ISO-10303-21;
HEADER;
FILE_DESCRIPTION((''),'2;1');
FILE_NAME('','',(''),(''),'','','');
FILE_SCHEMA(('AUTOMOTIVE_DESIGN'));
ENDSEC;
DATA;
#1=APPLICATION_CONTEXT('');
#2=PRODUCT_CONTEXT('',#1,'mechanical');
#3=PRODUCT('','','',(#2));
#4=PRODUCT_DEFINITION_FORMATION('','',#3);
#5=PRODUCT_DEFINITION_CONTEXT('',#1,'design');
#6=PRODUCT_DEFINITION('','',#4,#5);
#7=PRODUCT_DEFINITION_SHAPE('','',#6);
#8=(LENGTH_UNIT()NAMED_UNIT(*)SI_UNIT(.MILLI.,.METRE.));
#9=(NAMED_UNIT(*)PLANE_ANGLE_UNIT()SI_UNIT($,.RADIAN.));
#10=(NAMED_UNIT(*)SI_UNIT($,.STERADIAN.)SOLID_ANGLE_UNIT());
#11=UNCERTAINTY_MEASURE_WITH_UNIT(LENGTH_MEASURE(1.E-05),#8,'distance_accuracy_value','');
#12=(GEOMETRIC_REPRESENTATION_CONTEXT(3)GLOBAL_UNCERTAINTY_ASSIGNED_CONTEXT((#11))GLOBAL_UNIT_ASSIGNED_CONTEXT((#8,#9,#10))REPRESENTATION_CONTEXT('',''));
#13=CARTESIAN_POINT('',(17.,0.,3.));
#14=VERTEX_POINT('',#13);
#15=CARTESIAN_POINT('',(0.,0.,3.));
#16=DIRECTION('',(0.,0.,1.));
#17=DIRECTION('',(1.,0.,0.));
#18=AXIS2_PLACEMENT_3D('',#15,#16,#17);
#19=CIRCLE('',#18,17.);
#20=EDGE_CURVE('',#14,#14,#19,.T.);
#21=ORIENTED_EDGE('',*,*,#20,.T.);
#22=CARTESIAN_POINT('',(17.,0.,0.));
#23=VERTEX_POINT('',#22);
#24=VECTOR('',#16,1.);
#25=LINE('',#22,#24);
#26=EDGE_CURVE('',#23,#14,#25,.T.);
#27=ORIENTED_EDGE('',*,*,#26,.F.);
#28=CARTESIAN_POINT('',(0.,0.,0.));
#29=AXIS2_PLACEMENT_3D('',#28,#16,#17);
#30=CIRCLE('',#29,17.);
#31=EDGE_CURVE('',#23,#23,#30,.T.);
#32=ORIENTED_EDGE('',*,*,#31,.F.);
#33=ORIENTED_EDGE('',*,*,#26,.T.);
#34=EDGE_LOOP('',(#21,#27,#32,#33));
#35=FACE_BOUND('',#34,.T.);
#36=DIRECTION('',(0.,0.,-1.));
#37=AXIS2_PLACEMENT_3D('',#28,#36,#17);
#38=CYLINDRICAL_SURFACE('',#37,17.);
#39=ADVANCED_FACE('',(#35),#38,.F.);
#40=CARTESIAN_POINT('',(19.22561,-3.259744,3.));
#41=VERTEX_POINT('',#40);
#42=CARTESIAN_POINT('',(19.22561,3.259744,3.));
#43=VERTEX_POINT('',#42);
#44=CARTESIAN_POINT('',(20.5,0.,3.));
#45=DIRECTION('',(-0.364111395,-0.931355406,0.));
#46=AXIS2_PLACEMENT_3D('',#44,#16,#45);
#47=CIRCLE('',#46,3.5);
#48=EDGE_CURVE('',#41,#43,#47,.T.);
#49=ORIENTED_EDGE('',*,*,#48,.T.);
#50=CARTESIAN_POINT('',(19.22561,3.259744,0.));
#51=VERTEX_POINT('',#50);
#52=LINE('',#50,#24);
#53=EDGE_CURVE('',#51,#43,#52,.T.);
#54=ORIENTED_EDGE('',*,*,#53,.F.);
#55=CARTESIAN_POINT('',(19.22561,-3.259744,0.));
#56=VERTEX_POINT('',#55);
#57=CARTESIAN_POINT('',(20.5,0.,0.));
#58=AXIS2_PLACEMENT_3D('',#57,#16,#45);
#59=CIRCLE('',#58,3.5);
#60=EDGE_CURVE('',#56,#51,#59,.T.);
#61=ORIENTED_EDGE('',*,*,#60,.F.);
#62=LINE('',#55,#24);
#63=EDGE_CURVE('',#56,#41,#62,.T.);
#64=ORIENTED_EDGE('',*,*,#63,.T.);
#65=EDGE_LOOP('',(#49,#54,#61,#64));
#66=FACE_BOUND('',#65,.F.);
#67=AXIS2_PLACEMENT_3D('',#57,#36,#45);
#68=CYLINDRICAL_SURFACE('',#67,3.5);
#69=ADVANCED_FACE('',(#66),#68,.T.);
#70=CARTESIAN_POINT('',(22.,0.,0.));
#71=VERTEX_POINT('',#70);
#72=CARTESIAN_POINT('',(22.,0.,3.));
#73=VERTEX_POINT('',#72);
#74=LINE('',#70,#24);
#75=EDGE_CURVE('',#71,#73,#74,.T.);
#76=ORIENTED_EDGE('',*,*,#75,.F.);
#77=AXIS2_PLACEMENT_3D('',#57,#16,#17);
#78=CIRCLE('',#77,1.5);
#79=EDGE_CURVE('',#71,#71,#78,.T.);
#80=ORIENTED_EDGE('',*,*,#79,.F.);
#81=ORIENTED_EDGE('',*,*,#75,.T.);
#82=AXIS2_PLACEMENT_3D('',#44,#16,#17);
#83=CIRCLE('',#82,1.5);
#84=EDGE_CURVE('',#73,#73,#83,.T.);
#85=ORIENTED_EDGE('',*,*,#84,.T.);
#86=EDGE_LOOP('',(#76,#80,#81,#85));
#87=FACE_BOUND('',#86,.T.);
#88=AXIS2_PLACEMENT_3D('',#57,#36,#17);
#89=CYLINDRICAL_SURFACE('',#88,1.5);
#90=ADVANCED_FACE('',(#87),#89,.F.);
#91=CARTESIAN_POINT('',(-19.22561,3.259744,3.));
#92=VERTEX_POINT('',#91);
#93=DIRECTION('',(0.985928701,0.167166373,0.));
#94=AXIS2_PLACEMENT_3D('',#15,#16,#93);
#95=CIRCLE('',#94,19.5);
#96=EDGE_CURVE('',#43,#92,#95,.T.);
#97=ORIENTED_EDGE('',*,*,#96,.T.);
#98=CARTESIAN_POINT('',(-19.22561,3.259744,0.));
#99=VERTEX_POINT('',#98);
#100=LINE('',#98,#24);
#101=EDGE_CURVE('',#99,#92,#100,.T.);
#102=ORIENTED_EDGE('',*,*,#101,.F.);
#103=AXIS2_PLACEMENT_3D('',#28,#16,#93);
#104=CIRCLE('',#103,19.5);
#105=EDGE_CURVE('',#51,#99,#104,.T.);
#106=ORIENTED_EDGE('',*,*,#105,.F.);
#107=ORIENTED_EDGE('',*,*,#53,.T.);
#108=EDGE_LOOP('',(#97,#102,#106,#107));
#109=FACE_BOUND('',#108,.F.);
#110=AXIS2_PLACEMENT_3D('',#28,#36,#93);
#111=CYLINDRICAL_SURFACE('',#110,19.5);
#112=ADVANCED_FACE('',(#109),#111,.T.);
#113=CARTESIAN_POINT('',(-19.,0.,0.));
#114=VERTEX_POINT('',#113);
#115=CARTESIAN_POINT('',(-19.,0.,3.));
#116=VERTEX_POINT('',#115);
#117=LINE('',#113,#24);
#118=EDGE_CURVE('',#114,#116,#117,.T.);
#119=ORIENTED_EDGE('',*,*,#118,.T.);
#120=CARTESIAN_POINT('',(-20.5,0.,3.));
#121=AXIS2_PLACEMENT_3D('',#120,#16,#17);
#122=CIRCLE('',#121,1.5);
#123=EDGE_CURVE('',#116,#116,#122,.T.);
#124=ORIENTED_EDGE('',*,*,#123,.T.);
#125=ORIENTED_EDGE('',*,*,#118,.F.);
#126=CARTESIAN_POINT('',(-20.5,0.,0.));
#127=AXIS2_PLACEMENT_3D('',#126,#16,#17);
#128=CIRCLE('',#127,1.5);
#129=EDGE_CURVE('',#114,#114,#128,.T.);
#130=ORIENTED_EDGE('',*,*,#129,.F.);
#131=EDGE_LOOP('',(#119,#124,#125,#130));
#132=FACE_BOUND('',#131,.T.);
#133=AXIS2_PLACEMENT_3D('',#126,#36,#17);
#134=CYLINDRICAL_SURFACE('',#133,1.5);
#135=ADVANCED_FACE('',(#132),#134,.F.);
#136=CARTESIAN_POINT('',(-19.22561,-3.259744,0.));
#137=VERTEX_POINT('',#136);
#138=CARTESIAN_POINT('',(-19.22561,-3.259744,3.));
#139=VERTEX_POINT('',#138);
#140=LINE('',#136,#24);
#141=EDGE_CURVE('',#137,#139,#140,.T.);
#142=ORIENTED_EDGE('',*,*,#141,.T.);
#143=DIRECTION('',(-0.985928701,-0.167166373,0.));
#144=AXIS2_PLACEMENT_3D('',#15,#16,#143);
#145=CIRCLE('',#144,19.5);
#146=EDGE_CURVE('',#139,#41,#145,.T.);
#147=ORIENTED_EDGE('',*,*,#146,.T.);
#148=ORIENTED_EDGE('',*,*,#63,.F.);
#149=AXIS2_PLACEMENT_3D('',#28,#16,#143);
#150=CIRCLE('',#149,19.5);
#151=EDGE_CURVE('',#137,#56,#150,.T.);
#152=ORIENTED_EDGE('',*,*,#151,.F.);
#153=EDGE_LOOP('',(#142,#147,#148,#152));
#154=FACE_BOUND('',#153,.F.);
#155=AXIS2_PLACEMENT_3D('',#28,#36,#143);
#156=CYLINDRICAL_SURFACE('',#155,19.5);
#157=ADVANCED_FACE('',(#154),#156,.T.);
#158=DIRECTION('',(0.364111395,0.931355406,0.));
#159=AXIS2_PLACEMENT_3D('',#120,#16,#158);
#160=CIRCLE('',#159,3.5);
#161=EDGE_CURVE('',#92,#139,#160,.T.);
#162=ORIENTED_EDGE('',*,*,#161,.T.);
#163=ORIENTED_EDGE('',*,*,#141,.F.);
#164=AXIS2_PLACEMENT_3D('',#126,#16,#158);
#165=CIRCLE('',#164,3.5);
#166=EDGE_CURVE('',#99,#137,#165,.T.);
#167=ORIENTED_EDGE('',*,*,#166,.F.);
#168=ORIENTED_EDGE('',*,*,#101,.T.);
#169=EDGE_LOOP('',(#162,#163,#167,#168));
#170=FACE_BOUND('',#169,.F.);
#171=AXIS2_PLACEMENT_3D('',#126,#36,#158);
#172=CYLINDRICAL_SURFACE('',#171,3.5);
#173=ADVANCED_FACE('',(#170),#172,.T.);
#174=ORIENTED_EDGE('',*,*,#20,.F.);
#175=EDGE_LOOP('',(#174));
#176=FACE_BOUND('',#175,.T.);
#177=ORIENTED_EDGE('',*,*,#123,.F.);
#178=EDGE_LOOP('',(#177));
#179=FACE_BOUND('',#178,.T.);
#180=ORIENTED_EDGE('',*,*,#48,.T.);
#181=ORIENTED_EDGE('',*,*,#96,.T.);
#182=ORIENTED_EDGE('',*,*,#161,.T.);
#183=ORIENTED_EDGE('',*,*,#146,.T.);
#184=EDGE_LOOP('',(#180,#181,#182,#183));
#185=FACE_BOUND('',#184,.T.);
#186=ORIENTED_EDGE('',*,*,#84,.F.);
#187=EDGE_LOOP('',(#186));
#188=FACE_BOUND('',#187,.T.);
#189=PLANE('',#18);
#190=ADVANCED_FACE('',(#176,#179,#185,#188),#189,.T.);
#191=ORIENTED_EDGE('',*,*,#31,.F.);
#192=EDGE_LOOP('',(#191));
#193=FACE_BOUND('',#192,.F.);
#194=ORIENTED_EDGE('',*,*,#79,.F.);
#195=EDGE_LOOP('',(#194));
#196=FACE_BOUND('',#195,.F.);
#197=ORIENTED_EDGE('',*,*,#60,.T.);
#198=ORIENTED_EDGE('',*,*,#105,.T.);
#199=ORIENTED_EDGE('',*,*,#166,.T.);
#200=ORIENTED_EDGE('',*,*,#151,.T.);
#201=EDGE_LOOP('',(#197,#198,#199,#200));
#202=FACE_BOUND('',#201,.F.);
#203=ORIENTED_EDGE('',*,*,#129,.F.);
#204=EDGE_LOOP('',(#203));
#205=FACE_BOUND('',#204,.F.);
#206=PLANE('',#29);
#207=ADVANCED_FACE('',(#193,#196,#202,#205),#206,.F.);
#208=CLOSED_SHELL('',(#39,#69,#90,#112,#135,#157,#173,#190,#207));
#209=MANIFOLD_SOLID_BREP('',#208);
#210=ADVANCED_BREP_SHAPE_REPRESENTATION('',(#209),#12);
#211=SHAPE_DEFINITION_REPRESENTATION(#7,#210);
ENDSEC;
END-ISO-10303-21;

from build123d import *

# Parameters (mm, degrees)
SKETCH_R   = 17
SKETCH_R_2 = 1.5
PAD_DEPTH  = 3


with BuildPart() as part:
    # Sketch → Pad (new body)
    with BuildSketch(Plane.XY):
        with BuildLine():
            ThreePointArc((19.22561, 3.259744), (0, 19.5), (-19.22561, 3.259744))
            ThreePointArc((-19.22561, 3.259744), (-24, 0), (-19.22561, -3.259744))
            ThreePointArc((-19.22561, -3.259744), (0, -19.5), (19.22561, -3.259744))
            ThreePointArc((19.22561, -3.259744), (24, 0), (19.22561, 3.259744))
        make_face()
        Circle(SKETCH_R, mode=Mode.SUBTRACT)
        with Locations((20.5, 0)):
            Circle(SKETCH_R_2, mode=Mode.SUBTRACT)
        with Locations((-20.5, 0)):
            Circle(SKETCH_R_2, mode=Mode.SUBTRACT)
    extrude(amount=PAD_DEPTH)


solid = part.part
